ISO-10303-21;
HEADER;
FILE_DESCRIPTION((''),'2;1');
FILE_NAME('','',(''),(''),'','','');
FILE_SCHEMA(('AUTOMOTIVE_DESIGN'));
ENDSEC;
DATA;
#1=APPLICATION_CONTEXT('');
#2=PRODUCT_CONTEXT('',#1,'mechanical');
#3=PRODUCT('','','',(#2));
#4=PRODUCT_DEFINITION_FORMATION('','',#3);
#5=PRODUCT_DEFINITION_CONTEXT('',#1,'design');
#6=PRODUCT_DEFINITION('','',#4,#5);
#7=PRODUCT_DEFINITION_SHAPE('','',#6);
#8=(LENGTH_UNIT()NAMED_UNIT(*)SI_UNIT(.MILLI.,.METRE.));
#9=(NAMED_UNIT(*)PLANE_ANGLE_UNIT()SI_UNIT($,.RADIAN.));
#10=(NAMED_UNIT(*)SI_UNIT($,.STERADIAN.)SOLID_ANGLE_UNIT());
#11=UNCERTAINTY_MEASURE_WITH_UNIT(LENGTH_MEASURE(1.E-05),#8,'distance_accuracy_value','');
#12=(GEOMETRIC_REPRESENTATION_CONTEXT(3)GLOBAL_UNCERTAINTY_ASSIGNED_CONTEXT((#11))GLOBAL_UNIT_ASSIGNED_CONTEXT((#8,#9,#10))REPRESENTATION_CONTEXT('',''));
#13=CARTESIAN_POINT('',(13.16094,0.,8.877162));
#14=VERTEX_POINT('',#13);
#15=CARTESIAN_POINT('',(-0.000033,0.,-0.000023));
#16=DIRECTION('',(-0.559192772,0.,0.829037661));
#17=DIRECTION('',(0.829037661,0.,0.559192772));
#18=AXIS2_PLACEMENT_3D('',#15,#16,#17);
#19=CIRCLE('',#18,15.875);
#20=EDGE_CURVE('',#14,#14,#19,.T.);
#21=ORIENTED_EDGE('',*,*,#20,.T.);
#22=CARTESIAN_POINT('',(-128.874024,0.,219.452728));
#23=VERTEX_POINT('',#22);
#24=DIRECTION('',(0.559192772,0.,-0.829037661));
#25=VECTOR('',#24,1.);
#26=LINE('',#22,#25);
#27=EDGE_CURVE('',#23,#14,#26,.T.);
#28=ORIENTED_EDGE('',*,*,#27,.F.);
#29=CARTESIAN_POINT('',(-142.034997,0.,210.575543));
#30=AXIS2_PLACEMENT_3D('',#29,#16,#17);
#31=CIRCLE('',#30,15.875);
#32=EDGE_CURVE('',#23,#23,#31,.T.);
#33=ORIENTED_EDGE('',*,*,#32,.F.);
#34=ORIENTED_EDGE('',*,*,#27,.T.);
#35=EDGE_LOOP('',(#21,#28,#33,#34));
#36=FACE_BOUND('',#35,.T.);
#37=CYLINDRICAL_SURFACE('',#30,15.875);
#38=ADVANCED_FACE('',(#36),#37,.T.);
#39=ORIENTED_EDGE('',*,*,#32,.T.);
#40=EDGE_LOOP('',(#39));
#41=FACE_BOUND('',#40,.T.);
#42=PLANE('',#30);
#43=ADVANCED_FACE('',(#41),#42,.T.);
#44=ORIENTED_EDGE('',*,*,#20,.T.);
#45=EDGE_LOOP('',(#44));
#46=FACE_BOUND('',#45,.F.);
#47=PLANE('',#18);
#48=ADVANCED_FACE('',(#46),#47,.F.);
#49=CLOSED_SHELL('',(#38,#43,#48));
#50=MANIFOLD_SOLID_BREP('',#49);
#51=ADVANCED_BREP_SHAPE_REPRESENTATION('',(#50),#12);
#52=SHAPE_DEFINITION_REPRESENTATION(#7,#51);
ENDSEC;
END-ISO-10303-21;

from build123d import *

# Parameters (mm, degrees)
F2_R     = 15.875
F3_DEPTH = 254


with BuildPart() as f3:
    # F2 (on face) → F3 (new body)
    with BuildSketch(Plane(origin=(-142.034997, 0, 210.575543), x_dir=(0.829038, 0, 0.559193), z_dir=(-0.559193, 0, 0.829038))):
        Circle(F2_R)
    extrude(amount=-F3_DEPTH)


solid = f3.part
